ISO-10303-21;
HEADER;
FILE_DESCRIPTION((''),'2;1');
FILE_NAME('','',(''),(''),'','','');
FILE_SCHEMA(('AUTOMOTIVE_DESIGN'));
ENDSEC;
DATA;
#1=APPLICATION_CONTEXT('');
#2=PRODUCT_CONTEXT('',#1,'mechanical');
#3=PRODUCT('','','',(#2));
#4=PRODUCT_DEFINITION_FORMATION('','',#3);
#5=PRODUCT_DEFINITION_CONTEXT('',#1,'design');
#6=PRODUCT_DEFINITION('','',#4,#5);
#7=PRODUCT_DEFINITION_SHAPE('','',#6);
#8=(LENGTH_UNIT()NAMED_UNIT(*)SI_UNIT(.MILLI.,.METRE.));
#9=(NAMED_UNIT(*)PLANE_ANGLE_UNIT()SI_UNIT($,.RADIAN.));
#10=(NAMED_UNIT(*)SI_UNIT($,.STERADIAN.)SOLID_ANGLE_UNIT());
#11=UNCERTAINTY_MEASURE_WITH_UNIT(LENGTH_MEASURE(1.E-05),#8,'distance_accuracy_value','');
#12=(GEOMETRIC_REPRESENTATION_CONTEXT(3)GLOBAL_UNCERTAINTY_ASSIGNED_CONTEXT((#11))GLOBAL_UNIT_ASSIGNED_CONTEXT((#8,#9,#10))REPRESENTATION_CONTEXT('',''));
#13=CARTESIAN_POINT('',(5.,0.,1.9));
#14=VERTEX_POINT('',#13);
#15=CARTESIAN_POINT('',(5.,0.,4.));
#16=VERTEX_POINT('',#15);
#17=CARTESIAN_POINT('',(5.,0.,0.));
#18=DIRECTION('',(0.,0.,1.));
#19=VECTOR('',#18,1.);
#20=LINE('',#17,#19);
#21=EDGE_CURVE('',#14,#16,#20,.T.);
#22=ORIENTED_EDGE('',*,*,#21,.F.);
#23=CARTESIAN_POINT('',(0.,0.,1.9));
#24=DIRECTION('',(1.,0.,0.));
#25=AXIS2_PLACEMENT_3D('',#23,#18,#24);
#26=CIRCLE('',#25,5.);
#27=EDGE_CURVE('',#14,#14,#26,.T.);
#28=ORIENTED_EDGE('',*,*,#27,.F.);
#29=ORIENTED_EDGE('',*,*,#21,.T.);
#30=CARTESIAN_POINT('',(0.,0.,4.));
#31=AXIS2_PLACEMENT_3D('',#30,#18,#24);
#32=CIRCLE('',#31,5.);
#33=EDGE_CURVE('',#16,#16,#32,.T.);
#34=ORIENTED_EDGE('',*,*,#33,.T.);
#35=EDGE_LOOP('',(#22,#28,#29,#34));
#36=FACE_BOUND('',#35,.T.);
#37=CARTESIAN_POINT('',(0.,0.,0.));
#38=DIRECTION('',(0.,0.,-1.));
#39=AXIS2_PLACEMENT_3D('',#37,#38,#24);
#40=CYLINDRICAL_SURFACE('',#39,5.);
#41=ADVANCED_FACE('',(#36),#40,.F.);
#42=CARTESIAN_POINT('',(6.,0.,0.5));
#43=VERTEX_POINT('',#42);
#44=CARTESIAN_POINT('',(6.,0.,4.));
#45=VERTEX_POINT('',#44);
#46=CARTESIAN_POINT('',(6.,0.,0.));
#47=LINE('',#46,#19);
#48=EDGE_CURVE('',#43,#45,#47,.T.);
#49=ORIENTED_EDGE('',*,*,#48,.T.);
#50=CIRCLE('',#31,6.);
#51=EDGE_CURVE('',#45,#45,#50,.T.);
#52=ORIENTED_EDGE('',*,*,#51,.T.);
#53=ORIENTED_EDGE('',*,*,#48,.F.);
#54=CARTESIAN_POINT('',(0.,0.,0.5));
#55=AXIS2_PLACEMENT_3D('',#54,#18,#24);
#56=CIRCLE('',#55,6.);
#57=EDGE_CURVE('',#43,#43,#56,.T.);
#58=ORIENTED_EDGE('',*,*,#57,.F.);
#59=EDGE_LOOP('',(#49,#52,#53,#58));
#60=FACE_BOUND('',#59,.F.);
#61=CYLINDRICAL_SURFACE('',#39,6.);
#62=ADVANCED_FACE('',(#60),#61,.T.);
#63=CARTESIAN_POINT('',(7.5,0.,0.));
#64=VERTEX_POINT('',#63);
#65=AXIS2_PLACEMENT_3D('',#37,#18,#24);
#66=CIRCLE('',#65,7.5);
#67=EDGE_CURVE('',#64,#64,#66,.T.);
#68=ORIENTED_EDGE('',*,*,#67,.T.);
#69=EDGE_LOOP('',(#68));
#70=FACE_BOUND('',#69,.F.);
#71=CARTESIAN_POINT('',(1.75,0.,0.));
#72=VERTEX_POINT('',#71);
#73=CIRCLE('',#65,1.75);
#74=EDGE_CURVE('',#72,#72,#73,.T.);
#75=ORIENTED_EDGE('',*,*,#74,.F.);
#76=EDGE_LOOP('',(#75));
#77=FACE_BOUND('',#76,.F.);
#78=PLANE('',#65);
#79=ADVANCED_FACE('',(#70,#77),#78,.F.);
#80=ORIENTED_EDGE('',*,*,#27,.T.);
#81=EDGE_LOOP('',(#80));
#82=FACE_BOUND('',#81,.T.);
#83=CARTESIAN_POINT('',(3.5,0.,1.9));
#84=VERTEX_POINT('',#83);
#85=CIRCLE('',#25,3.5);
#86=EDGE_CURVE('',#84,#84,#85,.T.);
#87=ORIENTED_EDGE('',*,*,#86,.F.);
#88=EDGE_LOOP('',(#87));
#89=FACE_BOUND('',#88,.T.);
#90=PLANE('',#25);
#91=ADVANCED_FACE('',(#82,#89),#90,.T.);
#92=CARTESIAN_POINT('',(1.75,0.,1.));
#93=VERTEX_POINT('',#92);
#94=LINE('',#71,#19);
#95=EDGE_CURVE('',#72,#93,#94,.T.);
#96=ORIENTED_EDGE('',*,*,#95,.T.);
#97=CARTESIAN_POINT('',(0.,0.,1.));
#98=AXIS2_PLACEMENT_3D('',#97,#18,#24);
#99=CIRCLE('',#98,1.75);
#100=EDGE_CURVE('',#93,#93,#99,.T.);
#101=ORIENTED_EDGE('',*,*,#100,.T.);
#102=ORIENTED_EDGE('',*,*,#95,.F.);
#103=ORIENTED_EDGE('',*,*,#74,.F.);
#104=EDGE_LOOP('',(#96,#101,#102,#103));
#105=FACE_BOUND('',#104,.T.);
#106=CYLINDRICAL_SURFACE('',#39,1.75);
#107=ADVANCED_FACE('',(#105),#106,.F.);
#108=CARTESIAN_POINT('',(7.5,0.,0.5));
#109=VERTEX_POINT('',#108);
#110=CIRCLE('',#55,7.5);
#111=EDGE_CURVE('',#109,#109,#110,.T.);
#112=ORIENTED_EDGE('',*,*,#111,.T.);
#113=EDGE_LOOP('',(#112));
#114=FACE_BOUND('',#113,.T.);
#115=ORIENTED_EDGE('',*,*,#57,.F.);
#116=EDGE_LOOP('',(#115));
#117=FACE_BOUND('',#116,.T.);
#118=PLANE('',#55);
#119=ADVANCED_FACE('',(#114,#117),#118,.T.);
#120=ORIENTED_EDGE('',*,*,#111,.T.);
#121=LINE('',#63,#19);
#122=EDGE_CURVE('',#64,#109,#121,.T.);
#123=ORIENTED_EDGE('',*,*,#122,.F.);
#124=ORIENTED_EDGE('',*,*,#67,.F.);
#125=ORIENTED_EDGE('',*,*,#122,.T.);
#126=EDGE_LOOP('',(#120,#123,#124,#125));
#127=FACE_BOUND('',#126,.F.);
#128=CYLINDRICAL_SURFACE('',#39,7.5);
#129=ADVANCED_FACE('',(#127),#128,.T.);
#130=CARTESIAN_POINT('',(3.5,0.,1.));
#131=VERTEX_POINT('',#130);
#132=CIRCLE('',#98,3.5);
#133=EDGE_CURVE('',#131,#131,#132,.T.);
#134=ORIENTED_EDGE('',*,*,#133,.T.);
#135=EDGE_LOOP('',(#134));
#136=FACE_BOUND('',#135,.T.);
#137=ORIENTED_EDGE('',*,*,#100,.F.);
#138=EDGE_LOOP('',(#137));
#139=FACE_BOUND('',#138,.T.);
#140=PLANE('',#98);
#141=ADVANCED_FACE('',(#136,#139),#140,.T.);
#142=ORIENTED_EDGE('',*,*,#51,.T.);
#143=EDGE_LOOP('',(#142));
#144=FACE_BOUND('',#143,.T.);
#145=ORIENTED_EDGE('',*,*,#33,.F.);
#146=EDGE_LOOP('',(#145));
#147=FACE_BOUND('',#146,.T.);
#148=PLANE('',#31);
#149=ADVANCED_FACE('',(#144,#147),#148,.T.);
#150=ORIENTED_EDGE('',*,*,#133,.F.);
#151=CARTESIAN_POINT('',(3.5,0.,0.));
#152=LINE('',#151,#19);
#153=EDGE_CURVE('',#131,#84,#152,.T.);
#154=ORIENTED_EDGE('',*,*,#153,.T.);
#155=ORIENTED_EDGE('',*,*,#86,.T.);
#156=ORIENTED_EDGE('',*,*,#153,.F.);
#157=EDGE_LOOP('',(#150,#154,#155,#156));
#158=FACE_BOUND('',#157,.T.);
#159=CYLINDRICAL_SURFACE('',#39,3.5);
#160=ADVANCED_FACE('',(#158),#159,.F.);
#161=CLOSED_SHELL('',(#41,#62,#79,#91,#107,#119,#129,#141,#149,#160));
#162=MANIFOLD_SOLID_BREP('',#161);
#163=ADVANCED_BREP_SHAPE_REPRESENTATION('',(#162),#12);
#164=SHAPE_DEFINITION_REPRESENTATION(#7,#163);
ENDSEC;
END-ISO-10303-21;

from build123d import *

# Parameters (mm, degrees)
F0_R     = 6
F0_R_2   = 5
F1_DEPTH = 4
F0_R_3   = 7.5
F2_DEPTH = 0.5
F0_R_4   = 3.5
F3_DEPTH = 1.9
F0_R_5   = 1.75
F4_DEPTH = 1


with BuildPart() as f1:
    # F0 (on Top) → F1 (new body)
    with BuildSketch(Plane.XY):
        Circle(F0_R)
        Circle(F0_R_2, mode=Mode.SUBTRACT)
    extrude(amount=F1_DEPTH)

    # F0 (on Top) → F2 (join)
    with BuildSketch(Plane.XY):
        Circle(F0_R_3)
        Circle(F0_R, mode=Mode.SUBTRACT)
    extrude(amount=F2_DEPTH)

    # F0 (on Top) → F3 (join, through all)
    with BuildSketch(Plane.XY):
        Circle(F0_R_2)
        Circle(F0_R_4, mode=Mode.SUBTRACT)
    extrude(amount=F3_DEPTH)

    # F0 (on Top) → F4 (join)
    with BuildSketch(Plane.XY):
        Circle(F0_R_4)
        Circle(F0_R_5, mode=Mode.SUBTRACT)
    extrude(amount=F4_DEPTH)


solid = f1.part
